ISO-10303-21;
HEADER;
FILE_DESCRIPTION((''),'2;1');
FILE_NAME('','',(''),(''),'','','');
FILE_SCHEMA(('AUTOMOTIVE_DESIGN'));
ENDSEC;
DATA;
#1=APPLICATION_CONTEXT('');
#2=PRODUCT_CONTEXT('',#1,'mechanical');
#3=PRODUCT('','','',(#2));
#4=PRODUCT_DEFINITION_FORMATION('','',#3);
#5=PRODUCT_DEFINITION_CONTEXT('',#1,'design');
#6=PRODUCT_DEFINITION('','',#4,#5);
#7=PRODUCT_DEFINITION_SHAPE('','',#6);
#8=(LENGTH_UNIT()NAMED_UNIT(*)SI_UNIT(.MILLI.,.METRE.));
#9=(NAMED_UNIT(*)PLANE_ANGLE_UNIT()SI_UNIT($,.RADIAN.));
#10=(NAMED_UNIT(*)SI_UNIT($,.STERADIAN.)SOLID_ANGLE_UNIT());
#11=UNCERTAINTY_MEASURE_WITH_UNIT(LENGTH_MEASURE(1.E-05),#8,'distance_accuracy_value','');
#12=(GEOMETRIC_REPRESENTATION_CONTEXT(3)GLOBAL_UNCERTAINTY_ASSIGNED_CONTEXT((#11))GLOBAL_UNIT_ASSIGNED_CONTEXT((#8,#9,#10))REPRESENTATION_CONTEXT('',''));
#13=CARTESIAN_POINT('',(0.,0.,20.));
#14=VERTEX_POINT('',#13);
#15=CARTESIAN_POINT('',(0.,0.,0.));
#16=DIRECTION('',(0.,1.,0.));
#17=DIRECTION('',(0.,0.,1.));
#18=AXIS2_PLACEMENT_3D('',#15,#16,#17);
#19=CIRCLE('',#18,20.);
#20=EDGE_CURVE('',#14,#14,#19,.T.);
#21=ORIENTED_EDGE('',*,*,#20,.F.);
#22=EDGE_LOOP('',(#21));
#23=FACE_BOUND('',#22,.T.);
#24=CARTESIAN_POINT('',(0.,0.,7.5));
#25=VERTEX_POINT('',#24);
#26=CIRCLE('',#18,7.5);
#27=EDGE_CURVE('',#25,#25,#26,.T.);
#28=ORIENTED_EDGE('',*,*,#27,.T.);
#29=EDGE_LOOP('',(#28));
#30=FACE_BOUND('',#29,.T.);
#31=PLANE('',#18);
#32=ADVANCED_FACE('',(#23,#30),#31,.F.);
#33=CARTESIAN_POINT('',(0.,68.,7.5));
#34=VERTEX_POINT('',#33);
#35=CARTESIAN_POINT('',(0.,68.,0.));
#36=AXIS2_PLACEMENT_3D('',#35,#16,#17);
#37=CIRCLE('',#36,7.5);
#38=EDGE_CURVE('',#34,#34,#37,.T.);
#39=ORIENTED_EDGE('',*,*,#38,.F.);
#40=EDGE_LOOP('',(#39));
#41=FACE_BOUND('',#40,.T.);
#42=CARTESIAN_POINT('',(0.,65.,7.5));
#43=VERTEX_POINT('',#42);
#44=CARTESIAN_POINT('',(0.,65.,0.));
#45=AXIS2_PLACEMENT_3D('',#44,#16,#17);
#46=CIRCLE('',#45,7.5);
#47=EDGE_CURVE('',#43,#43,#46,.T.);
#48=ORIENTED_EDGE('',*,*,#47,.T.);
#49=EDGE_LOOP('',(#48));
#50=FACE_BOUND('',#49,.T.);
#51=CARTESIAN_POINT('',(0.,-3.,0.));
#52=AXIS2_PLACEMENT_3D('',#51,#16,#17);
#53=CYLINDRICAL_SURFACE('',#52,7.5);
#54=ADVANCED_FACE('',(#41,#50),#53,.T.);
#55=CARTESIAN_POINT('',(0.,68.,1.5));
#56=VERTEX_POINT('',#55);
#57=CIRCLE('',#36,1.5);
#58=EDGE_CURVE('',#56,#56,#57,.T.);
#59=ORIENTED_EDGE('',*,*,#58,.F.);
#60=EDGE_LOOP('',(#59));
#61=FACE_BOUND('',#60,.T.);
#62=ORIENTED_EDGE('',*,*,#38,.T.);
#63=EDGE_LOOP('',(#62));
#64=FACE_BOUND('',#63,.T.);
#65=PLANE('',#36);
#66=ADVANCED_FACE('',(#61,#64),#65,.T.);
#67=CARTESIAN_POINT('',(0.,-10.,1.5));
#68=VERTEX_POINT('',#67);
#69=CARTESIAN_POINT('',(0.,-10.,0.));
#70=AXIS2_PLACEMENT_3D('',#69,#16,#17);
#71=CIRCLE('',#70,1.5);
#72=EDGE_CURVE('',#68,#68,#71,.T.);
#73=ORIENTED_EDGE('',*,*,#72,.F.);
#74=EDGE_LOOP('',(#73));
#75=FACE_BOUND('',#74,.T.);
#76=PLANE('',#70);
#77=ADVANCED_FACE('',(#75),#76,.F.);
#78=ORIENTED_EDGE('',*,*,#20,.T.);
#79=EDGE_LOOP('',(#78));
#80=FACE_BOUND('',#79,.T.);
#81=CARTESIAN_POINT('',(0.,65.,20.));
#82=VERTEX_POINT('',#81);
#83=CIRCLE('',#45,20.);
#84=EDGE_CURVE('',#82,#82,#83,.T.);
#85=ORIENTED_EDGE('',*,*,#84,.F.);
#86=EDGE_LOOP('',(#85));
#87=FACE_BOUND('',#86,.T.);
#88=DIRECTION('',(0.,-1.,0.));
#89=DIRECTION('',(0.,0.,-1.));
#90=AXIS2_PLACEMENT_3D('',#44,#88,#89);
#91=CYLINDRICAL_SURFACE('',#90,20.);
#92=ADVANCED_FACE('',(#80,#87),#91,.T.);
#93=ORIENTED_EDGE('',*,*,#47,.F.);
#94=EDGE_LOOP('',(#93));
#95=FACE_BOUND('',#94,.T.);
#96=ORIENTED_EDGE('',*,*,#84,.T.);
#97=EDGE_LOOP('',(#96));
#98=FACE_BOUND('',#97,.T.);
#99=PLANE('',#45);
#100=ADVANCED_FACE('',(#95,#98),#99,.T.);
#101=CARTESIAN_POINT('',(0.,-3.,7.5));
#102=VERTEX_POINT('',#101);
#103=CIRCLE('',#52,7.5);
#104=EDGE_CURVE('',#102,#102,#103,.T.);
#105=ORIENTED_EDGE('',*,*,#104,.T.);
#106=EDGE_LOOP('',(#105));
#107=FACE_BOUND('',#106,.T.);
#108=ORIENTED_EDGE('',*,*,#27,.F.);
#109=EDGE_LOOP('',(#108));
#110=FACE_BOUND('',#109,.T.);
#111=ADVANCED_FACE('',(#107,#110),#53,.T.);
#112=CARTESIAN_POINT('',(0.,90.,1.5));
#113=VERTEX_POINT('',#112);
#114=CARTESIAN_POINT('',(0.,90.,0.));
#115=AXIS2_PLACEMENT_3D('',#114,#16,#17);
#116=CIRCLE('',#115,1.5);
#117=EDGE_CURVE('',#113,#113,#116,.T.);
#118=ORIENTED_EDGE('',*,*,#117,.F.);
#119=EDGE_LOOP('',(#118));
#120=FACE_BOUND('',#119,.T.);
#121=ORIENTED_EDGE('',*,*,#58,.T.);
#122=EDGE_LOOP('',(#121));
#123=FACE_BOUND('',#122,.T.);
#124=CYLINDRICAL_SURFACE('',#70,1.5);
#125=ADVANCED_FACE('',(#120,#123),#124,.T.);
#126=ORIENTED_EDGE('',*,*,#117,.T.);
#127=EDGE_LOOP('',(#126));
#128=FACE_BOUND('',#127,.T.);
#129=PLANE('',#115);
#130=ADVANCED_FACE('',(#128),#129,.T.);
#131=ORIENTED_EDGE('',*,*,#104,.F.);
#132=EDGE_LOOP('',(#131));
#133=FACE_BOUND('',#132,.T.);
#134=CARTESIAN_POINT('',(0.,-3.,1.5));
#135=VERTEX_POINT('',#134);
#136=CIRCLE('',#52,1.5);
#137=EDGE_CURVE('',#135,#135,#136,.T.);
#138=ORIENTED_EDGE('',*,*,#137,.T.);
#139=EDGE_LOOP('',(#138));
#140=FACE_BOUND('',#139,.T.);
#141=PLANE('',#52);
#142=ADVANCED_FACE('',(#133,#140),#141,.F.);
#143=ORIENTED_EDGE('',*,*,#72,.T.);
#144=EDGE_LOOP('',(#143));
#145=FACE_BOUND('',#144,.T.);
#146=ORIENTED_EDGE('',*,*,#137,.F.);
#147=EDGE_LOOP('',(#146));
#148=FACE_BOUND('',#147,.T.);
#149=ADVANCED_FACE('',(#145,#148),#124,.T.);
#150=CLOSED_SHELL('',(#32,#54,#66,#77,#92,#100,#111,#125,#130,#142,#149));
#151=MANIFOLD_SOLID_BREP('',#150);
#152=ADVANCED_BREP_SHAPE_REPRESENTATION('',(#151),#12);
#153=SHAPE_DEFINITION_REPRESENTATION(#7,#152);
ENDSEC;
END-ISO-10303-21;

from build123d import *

# Parameters (mm, degrees)
SKETCH1_R                = 20
BOSS_EXTRUDE1_DEPTH      = 65
BOSS_EXTRUDE2_DEPTH      = 3
BOSS_EXTRUDE2_DEPTH_BACK = 68
SKETCH2_R                = 7.5
BOSS_EXTRUDE3_DEPTH      = 90
BOSS_EXTRUDE3_DEPTH_BACK = 10
SKETCH3_R                = 1.5


with BuildPart() as part:
    # Sketch1 → Boss-Extrude1 (new body)
    with BuildSketch(Plane(origin=(0, 0, 0), x_dir=(1, 0, 0), z_dir=(0, 1, 0))):
        with Locations(Location((0, 0, 0), (0, 0, 270))):
            Circle(SKETCH1_R)
    extrude(amount=BOSS_EXTRUDE1_DEPTH)

    # Sketch2 → Boss-Extrude2 (add, two sides: drawn at the far end of the back side and taken through both)
    with BuildSketch(Plane(origin=(0, 65, 0), x_dir=(1, 0, 0), z_dir=(0, 1, 0)).offset(-BOSS_EXTRUDE2_DEPTH_BACK)):
        with Locations(Location((0, 0, 0), (0, 0, 270))):
            Circle(SKETCH2_R)
    extrude(amount=BOSS_EXTRUDE2_DEPTH + BOSS_EXTRUDE2_DEPTH_BACK)

    # Sketch3 → Boss-Extrude3 (add, two sides: drawn at the far end of the back side and taken through both)
    with BuildSketch(Plane(origin=(0, 0, 0), x_dir=(1, 0, 0), z_dir=(0, 1, 0)).offset(-BOSS_EXTRUDE3_DEPTH_BACK)):
        with Locations(Location((0, 0, 0), (0, 0, 270))):
            Circle(SKETCH3_R)
    extrude(amount=BOSS_EXTRUDE3_DEPTH + BOSS_EXTRUDE3_DEPTH_BACK)


solid = part.part
